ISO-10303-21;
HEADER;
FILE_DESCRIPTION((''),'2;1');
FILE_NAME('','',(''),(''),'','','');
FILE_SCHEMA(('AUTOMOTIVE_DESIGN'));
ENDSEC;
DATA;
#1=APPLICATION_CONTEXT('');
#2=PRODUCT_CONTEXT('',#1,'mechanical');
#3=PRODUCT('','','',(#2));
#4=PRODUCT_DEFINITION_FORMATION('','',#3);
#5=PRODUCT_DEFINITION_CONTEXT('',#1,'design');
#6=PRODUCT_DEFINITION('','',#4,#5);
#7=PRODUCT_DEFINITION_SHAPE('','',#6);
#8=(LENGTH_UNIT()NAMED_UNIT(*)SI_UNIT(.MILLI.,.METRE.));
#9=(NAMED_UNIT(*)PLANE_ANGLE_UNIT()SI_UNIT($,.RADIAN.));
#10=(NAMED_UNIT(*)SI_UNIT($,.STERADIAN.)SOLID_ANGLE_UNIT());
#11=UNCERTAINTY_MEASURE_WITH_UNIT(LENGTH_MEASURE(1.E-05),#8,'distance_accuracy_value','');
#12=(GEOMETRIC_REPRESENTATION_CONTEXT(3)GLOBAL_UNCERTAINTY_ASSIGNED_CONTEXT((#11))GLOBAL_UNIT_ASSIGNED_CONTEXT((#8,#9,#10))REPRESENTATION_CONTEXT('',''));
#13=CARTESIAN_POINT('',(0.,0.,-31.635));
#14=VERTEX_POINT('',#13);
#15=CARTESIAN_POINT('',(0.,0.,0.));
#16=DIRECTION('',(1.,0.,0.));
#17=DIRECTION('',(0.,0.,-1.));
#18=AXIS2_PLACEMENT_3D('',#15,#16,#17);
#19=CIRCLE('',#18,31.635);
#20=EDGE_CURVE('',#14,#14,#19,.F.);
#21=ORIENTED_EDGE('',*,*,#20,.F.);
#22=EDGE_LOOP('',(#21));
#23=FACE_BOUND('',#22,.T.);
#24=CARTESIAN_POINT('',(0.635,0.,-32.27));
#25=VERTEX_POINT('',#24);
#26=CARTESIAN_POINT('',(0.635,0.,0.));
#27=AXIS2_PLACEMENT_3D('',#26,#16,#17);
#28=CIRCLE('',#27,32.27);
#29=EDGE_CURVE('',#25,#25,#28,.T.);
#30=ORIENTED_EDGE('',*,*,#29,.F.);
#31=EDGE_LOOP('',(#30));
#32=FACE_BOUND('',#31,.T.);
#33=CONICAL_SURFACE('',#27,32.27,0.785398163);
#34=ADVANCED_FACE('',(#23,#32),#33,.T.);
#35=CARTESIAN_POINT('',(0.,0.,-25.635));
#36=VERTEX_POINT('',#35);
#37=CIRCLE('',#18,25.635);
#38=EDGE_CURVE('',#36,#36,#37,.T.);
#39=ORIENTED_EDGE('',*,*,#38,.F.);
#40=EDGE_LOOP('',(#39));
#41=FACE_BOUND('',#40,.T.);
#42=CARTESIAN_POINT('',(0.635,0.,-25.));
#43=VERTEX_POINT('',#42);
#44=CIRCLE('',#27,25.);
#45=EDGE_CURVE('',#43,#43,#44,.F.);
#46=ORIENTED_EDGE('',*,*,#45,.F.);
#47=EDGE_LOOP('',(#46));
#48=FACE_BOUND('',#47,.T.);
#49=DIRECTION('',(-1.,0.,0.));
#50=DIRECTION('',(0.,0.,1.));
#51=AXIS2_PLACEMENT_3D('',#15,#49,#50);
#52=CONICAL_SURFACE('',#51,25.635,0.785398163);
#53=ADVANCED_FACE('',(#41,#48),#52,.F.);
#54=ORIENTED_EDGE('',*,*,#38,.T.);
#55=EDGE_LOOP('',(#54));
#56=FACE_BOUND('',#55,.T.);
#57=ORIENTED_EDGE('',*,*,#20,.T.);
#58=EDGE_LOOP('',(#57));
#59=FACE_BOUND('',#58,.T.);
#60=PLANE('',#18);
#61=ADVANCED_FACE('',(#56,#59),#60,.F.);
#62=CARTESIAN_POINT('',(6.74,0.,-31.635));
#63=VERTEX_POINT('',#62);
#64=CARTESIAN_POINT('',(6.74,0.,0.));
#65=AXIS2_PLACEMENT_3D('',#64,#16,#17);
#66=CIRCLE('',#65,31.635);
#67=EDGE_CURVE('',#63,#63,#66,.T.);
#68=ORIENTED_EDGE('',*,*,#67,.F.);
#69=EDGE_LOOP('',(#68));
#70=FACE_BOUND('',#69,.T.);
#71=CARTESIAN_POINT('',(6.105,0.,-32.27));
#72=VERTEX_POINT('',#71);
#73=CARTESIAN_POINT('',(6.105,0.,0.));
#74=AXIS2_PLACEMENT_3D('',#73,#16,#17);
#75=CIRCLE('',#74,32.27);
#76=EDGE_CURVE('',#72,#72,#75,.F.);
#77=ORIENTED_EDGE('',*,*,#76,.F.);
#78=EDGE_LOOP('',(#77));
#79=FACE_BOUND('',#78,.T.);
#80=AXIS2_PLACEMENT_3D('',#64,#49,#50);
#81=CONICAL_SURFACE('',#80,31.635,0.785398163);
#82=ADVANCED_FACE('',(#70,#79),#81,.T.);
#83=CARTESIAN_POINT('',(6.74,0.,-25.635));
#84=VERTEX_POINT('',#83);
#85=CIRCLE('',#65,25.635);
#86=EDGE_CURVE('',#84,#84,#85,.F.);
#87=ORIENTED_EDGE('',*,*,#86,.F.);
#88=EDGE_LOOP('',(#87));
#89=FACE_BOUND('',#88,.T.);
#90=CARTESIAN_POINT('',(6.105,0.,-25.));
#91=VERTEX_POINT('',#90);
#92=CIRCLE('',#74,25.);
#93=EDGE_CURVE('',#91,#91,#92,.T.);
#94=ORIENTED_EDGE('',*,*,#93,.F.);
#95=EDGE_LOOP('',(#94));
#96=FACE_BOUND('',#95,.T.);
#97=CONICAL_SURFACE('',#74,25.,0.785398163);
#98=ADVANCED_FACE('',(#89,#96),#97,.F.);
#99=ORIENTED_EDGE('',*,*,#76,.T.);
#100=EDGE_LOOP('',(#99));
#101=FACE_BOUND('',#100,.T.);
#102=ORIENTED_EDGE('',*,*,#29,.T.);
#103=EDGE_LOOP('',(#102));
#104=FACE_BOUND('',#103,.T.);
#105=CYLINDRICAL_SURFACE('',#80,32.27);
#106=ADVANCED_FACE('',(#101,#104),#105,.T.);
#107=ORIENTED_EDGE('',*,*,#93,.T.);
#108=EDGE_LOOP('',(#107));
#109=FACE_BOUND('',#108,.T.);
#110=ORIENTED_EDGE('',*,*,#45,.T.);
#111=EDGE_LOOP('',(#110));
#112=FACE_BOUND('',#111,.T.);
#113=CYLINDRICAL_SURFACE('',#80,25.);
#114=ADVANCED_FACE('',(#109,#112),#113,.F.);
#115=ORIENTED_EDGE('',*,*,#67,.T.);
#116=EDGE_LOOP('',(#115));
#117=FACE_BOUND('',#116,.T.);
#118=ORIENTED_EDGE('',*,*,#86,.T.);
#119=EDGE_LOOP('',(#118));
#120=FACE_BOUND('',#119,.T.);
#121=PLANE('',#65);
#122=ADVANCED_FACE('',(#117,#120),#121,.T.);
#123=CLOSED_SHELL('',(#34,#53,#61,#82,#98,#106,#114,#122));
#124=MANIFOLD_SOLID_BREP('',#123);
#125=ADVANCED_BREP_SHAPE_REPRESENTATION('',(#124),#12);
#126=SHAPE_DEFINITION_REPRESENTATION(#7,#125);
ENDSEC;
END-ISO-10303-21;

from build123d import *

# Parameters (mm, degrees)
SKETCH1_R           = 32.27
SKETCH1_R_2         = 25
BOSS_EXTRUDE1_DEPTH = 6.74
CHAMFER1_SIZE       = 0.635
CHAMFER2_SIZE       = 0.635


with BuildPart() as part:
    # Sketch1 → Boss-Extrude1 (new body)
    with BuildSketch(Plane(origin=(0, 0, 0), x_dir=(0, 0, -1), z_dir=(1, 0, 0))):
        Circle(SKETCH1_R)
        Circle(SKETCH1_R_2, mode=Mode.SUBTRACT)
    extrude(amount=BOSS_EXTRUDE1_DEPTH)

    # Chamfer1
    chamfer1_edges = [part.edges().sort_by_distance(p)[0] for p in [
        (0, 0, 32.27),
        (6.74, 0, 32.27),
    ]]
    chamfer(chamfer1_edges, length=CHAMFER1_SIZE)

    # Chamfer2
    chamfer2_edges = [part.edges().sort_by_distance(p)[0] for p in [
        (0, 0, 25),
        (6.74, 0, 25),
    ]]
    chamfer(chamfer2_edges, length=CHAMFER2_SIZE)


solid = part.part
